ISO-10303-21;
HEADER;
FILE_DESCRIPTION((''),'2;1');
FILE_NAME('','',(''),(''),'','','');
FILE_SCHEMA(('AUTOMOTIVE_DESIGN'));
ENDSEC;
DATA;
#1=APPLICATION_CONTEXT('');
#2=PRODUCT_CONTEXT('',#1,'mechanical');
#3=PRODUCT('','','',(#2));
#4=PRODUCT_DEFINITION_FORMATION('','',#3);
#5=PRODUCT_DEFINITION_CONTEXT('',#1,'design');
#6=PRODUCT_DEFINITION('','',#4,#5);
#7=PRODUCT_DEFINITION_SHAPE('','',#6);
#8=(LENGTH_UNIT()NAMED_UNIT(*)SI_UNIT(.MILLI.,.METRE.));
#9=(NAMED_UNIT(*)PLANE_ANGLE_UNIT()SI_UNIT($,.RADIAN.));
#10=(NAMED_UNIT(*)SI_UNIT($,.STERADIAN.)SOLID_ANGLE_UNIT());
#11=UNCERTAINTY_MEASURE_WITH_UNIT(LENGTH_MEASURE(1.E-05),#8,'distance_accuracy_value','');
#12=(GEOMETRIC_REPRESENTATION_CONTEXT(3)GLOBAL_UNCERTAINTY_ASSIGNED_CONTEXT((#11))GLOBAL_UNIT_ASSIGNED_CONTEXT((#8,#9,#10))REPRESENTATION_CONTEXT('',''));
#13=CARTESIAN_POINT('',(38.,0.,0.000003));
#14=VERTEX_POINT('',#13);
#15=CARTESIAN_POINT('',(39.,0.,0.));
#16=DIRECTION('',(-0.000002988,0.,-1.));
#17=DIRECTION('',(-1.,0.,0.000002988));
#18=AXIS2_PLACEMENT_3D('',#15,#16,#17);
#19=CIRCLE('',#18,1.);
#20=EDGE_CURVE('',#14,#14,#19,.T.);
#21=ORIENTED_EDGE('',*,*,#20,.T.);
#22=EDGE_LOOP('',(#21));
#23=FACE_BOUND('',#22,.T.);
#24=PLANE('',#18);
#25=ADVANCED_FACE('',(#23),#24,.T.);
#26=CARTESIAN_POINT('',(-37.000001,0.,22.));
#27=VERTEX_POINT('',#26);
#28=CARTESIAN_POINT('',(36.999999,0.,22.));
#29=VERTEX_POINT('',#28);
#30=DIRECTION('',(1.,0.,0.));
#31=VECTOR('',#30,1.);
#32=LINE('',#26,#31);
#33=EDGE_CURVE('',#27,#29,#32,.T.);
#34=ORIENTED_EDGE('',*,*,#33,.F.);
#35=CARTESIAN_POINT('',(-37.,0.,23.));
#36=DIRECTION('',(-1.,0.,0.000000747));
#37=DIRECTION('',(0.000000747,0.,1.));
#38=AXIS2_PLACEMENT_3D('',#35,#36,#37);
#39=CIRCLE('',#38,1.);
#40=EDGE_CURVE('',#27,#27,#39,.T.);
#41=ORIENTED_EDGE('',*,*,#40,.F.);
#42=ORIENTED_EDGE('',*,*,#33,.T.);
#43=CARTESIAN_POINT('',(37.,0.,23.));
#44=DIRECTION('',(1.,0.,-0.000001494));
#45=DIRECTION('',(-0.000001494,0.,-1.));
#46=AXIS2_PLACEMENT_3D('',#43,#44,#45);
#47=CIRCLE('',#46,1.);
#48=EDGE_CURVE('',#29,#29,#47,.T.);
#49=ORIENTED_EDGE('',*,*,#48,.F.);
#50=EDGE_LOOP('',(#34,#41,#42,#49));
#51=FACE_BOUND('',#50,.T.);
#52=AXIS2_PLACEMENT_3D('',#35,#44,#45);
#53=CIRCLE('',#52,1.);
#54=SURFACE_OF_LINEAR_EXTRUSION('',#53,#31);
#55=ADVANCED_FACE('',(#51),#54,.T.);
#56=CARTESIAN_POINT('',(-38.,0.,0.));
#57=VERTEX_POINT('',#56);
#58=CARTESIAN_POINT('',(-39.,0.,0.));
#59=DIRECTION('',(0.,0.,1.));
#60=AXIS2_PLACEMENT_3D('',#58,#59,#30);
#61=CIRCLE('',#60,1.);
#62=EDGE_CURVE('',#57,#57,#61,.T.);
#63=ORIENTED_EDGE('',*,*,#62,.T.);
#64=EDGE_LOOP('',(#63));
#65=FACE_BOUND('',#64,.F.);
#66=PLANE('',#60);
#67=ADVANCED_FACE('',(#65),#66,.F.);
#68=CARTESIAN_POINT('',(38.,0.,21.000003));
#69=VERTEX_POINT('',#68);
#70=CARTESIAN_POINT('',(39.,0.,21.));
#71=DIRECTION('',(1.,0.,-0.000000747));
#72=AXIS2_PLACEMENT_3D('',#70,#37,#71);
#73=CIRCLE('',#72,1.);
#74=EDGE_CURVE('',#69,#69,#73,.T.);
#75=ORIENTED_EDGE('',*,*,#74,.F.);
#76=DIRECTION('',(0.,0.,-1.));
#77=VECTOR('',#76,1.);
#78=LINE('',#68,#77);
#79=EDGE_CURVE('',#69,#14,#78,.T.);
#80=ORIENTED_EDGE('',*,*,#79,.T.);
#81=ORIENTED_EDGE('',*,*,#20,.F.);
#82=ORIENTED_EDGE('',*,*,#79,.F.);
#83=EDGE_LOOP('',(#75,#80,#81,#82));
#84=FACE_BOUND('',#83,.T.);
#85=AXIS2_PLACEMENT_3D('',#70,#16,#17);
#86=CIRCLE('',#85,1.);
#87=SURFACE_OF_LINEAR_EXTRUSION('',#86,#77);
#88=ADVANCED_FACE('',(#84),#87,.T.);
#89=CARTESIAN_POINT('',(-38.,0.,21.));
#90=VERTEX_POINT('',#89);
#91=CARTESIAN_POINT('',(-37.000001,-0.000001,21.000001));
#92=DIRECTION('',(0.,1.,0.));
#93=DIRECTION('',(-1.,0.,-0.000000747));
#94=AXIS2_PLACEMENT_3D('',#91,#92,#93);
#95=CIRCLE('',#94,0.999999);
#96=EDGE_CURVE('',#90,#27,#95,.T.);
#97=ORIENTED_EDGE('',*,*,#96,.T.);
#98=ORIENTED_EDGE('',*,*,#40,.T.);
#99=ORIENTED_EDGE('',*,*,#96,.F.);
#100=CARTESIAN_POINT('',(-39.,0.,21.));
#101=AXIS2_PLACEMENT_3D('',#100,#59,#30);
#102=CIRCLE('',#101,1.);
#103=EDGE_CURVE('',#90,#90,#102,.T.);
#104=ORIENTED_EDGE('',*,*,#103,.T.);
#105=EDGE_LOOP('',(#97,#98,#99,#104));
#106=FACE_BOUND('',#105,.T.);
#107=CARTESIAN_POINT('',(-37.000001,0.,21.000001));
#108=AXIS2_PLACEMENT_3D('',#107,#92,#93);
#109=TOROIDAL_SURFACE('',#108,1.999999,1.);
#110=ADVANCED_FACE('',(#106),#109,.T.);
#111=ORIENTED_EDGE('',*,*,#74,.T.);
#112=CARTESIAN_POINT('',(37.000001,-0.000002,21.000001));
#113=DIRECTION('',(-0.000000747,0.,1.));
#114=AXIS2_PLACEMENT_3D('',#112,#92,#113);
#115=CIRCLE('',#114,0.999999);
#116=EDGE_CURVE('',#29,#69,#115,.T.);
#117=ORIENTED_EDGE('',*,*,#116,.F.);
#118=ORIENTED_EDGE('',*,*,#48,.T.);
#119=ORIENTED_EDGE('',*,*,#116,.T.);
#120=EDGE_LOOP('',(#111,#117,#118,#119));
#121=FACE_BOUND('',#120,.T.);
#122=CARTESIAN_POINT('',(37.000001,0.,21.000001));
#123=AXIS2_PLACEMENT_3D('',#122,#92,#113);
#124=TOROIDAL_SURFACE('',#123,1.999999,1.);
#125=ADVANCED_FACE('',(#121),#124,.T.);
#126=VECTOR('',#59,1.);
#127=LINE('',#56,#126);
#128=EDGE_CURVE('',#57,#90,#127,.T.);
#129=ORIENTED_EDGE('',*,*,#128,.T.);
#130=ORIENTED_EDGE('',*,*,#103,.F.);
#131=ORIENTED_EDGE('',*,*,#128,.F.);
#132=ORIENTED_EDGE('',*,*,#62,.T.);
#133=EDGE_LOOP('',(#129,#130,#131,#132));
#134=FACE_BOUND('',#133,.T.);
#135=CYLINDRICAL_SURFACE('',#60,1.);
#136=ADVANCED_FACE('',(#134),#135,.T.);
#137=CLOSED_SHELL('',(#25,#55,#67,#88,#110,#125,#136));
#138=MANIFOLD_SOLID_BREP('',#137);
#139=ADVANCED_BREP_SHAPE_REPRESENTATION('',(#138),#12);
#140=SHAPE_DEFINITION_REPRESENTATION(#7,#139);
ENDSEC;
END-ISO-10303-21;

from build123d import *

# Parameters (mm, degrees)
F0_R = 1


with BuildPart() as f2:
    # F2: sweep along a path in F1
    with BuildLine(Plane.XZ) as f2_path:
        Line((-39, 0), (-39, 21))
        ThreePointArc((-39, 21), (-38.414214, 22.414214), (-37, 23))
        Line((-37, 23), (0, 23))
        Line((0, 23), (37, 23))
        ThreePointArc((37, 23), (38.414214, 22.414214), (39, 21))
        Line((39, 21), (39, 0))
    # F0 (on Top) → F2 (sweep)
    with BuildSketch(Plane.XY):
        with Locations((-39, 0)):
            Circle(F0_R)
    sweep(path=f2_path.line)


solid = f2.part
